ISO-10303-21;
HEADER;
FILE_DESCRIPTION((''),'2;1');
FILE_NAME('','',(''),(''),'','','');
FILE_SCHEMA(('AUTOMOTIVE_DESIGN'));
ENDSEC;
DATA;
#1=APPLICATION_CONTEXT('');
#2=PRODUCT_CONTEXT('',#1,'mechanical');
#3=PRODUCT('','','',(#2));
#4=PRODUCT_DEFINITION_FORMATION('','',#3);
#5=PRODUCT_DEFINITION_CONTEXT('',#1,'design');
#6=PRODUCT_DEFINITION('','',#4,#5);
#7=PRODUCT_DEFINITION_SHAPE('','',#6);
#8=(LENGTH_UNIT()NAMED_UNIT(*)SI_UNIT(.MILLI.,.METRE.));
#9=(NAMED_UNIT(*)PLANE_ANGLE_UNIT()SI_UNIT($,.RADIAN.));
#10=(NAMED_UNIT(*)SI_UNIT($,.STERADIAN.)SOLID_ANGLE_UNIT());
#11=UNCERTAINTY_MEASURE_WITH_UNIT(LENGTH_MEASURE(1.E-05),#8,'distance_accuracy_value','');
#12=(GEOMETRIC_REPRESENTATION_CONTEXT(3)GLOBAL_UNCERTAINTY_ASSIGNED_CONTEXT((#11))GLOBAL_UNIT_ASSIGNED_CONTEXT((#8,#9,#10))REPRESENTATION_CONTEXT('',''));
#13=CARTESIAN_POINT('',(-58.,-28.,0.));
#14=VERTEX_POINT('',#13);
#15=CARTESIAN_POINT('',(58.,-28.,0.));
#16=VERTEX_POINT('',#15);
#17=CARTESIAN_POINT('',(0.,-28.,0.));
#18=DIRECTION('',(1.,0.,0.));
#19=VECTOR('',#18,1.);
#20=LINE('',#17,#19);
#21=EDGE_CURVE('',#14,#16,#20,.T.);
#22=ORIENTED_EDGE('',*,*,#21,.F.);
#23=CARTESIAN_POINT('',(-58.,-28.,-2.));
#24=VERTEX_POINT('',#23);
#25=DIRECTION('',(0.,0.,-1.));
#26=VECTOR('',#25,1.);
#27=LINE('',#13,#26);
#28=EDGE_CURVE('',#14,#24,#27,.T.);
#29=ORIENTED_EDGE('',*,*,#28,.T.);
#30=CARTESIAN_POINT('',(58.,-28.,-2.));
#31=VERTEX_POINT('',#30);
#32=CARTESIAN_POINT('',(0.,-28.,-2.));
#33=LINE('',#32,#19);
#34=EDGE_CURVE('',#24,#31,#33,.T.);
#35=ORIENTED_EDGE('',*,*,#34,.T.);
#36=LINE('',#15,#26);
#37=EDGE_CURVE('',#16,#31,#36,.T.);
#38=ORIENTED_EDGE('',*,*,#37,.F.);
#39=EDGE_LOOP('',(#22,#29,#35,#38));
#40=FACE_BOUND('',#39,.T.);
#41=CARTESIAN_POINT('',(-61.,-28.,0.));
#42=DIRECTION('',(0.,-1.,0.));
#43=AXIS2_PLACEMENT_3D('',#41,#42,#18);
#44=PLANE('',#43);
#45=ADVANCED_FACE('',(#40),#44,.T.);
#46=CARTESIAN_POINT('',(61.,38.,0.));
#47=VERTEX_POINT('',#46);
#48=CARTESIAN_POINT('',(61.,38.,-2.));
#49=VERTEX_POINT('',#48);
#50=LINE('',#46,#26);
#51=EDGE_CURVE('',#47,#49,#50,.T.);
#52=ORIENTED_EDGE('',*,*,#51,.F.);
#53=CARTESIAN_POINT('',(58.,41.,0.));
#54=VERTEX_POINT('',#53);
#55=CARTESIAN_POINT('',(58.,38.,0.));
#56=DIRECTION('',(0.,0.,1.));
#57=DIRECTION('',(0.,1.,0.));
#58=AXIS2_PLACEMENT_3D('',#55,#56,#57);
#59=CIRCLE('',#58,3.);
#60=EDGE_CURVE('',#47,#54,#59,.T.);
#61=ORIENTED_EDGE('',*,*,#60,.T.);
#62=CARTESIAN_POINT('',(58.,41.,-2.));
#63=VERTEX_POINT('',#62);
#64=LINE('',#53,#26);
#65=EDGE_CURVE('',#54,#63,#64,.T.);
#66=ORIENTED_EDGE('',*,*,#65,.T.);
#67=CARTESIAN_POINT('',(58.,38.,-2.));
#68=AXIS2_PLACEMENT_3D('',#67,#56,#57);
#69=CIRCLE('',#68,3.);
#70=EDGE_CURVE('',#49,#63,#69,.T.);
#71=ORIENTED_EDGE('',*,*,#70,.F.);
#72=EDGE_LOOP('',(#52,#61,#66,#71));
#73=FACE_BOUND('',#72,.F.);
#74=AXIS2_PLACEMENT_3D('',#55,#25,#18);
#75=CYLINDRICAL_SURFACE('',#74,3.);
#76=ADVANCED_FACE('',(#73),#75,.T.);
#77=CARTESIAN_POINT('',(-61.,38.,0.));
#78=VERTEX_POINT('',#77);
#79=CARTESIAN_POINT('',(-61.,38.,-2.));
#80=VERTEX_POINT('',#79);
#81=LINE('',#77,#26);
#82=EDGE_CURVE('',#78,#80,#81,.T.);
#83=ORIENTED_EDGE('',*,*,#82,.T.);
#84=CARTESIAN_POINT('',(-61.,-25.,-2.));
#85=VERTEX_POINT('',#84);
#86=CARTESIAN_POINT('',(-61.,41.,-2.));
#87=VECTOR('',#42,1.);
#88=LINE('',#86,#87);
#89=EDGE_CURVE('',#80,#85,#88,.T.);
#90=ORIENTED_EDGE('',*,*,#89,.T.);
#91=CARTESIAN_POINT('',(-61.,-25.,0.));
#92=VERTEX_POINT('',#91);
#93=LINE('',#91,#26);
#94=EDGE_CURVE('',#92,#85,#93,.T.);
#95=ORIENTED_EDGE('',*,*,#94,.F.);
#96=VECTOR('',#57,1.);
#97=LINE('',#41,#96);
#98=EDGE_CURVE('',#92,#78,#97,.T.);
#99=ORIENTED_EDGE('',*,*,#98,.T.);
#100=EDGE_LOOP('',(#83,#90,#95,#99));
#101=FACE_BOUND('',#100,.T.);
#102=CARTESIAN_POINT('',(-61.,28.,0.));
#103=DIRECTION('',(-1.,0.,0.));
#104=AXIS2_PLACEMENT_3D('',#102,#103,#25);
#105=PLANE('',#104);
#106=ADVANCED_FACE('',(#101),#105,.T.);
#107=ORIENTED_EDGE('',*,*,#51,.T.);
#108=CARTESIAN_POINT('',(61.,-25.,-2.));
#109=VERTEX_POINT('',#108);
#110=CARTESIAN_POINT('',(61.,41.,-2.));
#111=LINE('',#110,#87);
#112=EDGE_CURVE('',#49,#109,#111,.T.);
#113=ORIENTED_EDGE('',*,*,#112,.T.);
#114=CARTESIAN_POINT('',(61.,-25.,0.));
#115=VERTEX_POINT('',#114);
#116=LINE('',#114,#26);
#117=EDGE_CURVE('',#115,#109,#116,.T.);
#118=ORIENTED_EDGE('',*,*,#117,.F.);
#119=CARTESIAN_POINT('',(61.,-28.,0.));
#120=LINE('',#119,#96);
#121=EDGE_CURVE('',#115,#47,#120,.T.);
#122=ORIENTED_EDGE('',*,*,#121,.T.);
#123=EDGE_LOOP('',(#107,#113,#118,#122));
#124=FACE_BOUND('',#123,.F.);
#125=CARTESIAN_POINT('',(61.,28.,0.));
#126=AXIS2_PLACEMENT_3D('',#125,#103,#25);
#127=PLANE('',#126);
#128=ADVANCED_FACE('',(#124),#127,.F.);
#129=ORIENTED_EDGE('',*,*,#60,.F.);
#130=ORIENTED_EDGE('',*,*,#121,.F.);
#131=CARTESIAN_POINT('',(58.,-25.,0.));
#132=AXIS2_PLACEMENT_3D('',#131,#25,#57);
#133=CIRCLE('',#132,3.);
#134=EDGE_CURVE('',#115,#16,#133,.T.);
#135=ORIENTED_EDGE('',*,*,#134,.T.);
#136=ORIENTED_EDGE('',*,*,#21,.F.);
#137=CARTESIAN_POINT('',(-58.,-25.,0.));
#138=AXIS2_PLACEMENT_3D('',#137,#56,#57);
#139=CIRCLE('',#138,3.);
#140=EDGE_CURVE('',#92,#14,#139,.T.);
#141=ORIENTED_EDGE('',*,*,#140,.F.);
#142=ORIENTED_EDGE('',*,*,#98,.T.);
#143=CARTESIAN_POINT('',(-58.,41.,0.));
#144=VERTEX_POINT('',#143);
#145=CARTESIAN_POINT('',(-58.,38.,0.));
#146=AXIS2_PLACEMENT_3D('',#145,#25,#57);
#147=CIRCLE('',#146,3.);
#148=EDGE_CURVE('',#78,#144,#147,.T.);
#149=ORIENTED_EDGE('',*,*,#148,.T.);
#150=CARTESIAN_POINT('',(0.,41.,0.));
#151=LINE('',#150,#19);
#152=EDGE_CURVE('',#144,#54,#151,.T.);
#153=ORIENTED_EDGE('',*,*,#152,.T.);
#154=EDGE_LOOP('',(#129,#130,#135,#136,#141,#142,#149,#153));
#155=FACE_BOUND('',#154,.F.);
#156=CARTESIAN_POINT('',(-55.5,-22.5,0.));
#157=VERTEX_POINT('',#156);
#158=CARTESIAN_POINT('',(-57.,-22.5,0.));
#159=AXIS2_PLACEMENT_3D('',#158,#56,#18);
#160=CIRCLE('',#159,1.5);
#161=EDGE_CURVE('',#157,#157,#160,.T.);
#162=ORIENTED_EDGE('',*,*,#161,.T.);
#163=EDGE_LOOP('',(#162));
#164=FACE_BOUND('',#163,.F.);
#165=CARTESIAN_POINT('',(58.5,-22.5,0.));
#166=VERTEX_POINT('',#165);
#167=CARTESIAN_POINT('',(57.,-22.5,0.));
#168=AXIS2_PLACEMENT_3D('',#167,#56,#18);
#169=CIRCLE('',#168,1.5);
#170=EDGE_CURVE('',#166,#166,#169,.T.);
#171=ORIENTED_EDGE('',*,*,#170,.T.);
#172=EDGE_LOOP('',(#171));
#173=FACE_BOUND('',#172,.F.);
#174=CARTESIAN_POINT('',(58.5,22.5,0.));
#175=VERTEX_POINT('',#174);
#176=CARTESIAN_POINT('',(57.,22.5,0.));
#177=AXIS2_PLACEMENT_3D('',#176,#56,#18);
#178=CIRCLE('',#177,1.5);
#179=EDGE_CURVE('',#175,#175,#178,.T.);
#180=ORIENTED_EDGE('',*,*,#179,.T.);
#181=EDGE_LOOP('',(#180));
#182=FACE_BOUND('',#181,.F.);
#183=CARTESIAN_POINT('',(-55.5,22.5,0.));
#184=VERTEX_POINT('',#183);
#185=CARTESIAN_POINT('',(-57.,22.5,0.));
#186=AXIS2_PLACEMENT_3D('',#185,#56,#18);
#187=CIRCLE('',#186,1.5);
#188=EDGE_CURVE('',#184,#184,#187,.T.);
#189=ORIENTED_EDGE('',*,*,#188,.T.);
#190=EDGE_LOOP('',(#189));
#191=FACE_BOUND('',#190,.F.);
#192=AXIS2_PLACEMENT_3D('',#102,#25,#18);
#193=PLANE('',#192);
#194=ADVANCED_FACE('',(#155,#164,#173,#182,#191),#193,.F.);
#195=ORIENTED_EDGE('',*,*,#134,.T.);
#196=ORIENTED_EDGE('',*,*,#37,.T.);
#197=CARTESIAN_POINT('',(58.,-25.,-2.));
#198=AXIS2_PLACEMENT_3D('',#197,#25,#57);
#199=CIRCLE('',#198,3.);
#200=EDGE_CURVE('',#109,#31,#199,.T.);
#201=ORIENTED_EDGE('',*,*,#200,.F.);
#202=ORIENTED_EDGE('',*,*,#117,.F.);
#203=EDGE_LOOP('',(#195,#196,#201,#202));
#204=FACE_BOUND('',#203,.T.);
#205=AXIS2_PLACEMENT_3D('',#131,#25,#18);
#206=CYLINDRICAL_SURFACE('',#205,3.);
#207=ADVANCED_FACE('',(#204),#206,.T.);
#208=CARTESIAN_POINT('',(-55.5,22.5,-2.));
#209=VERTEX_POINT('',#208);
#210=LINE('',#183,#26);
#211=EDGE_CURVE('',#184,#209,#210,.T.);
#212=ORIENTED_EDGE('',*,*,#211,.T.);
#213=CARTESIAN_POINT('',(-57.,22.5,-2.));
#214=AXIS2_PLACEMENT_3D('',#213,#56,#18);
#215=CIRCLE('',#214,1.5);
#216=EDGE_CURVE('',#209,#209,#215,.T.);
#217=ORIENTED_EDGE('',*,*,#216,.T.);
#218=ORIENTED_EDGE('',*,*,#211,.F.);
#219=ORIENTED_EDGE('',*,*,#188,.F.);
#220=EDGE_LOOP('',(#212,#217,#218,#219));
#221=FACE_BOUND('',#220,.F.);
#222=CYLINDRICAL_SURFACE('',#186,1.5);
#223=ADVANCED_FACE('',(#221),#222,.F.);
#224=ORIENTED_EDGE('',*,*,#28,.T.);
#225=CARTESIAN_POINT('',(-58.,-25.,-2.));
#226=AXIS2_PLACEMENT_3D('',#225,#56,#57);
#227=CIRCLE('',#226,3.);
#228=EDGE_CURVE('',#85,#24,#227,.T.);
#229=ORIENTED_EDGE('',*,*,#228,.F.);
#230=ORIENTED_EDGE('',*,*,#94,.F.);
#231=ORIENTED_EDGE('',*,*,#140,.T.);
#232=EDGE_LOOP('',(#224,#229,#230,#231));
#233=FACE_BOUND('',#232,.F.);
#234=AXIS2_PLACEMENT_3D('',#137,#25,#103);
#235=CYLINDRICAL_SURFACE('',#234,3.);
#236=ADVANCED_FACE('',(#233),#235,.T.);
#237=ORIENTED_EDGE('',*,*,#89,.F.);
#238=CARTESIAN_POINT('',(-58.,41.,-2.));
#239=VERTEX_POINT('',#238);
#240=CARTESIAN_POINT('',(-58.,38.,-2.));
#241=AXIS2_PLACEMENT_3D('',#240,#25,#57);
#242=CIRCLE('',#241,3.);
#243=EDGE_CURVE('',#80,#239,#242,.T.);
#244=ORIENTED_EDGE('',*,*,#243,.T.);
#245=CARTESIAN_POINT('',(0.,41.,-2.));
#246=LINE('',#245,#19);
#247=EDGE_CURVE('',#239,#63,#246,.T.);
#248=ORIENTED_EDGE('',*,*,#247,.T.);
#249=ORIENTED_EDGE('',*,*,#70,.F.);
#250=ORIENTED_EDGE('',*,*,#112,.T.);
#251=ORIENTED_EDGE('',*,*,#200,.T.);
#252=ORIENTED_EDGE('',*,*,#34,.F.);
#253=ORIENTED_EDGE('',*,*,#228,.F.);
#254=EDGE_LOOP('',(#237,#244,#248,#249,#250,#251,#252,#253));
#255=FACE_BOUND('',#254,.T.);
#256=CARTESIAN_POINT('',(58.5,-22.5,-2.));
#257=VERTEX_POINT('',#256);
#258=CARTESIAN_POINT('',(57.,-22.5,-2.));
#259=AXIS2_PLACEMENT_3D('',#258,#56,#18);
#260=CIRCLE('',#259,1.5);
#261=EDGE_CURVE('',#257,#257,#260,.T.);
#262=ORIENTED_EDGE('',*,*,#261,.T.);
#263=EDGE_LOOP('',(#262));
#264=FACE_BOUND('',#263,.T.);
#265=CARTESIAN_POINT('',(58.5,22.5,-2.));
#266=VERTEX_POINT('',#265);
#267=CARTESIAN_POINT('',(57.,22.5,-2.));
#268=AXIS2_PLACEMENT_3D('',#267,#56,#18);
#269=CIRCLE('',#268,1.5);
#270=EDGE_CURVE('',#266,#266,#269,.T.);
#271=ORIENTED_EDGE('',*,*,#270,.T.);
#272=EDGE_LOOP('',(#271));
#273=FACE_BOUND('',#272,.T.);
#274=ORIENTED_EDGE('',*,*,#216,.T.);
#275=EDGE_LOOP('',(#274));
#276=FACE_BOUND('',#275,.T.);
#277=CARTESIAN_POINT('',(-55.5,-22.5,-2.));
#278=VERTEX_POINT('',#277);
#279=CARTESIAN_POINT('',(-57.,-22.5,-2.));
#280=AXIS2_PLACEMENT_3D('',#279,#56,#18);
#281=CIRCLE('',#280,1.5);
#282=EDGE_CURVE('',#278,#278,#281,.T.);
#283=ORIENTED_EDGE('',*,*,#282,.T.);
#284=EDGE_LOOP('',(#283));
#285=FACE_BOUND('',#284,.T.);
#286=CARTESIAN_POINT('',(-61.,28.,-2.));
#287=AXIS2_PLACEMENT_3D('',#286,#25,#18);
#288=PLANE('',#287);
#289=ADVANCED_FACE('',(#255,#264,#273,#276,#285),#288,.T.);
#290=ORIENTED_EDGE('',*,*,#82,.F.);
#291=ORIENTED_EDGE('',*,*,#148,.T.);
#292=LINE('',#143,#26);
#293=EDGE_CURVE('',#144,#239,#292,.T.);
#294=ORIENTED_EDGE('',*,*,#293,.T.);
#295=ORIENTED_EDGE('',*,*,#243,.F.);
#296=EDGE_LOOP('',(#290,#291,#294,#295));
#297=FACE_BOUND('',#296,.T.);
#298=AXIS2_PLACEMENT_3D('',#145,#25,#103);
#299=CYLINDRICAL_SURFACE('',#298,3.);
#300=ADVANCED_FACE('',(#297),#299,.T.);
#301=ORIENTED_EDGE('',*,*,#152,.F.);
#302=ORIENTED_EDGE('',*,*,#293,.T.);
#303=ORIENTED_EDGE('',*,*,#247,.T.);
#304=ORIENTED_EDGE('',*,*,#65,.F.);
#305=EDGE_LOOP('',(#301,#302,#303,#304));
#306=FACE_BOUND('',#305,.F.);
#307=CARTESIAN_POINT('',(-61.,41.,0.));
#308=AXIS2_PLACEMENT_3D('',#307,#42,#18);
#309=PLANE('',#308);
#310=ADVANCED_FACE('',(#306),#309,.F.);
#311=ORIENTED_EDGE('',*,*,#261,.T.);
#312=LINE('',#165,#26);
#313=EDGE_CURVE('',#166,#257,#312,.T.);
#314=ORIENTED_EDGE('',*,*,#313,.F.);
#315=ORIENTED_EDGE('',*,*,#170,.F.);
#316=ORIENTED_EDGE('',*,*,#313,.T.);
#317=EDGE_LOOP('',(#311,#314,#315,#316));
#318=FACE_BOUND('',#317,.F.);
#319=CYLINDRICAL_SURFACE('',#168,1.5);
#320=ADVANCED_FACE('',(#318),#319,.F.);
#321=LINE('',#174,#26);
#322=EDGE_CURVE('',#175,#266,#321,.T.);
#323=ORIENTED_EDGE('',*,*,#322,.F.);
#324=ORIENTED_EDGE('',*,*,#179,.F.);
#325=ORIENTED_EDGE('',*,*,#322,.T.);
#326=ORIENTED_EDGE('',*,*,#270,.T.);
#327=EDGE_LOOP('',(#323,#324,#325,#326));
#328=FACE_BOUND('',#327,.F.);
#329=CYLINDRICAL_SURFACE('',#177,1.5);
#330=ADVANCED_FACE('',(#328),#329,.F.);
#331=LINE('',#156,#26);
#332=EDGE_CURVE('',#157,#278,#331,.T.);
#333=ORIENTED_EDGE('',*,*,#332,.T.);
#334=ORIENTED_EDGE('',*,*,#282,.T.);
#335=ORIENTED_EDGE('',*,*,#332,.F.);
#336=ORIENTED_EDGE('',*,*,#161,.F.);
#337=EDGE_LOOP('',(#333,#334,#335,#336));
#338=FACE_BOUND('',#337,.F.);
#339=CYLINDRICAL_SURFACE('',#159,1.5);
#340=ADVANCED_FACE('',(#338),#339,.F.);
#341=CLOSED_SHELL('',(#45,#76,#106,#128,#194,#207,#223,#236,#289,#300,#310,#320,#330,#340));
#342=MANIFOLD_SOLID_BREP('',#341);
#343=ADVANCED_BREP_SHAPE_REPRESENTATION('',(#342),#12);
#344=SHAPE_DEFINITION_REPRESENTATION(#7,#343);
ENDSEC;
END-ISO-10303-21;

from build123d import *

# Parameters (mm, degrees)
F0_W     = 122
F0_H     = 56
F0_R     = 1.5
F1_DEPTH = 2
F2_DEPTH = 13
F4_R     = 3


with BuildPart() as f1:
    # F0 (on Top) → F1 (new body)
    with BuildSketch(Plane.XY):
        Rectangle(F0_W, F0_H)
        with Locations((-57, -22.5)):
            Circle(F0_R, mode=Mode.SUBTRACT)
        with Locations((57, -22.5)):
            Circle(F0_R, mode=Mode.SUBTRACT)
        with Locations((-57, 22.5)):
            Circle(F0_R, mode=Mode.SUBTRACT)
        with Locations((57, 22.5)):
            Circle(F0_R, mode=Mode.SUBTRACT)
    extrude(amount=-F1_DEPTH)

    # F2 (add): a face of the model
    f2_faces = [f1.faces().sort_by_distance(p)[0] for p in [
        (0, 28, -1),
    ]]
    extrude(f2_faces, amount=F2_DEPTH)

    # F4
    f4_edges = [f1.edges().sort_by_distance(p)[0] for p in [
        (-61, -28, -1),
        (61, -28, -1),
        (61, 41, -1),
        (-61, 41, -1),
    ]]
    fillet(f4_edges, radius=F4_R)


solid = f1.part
